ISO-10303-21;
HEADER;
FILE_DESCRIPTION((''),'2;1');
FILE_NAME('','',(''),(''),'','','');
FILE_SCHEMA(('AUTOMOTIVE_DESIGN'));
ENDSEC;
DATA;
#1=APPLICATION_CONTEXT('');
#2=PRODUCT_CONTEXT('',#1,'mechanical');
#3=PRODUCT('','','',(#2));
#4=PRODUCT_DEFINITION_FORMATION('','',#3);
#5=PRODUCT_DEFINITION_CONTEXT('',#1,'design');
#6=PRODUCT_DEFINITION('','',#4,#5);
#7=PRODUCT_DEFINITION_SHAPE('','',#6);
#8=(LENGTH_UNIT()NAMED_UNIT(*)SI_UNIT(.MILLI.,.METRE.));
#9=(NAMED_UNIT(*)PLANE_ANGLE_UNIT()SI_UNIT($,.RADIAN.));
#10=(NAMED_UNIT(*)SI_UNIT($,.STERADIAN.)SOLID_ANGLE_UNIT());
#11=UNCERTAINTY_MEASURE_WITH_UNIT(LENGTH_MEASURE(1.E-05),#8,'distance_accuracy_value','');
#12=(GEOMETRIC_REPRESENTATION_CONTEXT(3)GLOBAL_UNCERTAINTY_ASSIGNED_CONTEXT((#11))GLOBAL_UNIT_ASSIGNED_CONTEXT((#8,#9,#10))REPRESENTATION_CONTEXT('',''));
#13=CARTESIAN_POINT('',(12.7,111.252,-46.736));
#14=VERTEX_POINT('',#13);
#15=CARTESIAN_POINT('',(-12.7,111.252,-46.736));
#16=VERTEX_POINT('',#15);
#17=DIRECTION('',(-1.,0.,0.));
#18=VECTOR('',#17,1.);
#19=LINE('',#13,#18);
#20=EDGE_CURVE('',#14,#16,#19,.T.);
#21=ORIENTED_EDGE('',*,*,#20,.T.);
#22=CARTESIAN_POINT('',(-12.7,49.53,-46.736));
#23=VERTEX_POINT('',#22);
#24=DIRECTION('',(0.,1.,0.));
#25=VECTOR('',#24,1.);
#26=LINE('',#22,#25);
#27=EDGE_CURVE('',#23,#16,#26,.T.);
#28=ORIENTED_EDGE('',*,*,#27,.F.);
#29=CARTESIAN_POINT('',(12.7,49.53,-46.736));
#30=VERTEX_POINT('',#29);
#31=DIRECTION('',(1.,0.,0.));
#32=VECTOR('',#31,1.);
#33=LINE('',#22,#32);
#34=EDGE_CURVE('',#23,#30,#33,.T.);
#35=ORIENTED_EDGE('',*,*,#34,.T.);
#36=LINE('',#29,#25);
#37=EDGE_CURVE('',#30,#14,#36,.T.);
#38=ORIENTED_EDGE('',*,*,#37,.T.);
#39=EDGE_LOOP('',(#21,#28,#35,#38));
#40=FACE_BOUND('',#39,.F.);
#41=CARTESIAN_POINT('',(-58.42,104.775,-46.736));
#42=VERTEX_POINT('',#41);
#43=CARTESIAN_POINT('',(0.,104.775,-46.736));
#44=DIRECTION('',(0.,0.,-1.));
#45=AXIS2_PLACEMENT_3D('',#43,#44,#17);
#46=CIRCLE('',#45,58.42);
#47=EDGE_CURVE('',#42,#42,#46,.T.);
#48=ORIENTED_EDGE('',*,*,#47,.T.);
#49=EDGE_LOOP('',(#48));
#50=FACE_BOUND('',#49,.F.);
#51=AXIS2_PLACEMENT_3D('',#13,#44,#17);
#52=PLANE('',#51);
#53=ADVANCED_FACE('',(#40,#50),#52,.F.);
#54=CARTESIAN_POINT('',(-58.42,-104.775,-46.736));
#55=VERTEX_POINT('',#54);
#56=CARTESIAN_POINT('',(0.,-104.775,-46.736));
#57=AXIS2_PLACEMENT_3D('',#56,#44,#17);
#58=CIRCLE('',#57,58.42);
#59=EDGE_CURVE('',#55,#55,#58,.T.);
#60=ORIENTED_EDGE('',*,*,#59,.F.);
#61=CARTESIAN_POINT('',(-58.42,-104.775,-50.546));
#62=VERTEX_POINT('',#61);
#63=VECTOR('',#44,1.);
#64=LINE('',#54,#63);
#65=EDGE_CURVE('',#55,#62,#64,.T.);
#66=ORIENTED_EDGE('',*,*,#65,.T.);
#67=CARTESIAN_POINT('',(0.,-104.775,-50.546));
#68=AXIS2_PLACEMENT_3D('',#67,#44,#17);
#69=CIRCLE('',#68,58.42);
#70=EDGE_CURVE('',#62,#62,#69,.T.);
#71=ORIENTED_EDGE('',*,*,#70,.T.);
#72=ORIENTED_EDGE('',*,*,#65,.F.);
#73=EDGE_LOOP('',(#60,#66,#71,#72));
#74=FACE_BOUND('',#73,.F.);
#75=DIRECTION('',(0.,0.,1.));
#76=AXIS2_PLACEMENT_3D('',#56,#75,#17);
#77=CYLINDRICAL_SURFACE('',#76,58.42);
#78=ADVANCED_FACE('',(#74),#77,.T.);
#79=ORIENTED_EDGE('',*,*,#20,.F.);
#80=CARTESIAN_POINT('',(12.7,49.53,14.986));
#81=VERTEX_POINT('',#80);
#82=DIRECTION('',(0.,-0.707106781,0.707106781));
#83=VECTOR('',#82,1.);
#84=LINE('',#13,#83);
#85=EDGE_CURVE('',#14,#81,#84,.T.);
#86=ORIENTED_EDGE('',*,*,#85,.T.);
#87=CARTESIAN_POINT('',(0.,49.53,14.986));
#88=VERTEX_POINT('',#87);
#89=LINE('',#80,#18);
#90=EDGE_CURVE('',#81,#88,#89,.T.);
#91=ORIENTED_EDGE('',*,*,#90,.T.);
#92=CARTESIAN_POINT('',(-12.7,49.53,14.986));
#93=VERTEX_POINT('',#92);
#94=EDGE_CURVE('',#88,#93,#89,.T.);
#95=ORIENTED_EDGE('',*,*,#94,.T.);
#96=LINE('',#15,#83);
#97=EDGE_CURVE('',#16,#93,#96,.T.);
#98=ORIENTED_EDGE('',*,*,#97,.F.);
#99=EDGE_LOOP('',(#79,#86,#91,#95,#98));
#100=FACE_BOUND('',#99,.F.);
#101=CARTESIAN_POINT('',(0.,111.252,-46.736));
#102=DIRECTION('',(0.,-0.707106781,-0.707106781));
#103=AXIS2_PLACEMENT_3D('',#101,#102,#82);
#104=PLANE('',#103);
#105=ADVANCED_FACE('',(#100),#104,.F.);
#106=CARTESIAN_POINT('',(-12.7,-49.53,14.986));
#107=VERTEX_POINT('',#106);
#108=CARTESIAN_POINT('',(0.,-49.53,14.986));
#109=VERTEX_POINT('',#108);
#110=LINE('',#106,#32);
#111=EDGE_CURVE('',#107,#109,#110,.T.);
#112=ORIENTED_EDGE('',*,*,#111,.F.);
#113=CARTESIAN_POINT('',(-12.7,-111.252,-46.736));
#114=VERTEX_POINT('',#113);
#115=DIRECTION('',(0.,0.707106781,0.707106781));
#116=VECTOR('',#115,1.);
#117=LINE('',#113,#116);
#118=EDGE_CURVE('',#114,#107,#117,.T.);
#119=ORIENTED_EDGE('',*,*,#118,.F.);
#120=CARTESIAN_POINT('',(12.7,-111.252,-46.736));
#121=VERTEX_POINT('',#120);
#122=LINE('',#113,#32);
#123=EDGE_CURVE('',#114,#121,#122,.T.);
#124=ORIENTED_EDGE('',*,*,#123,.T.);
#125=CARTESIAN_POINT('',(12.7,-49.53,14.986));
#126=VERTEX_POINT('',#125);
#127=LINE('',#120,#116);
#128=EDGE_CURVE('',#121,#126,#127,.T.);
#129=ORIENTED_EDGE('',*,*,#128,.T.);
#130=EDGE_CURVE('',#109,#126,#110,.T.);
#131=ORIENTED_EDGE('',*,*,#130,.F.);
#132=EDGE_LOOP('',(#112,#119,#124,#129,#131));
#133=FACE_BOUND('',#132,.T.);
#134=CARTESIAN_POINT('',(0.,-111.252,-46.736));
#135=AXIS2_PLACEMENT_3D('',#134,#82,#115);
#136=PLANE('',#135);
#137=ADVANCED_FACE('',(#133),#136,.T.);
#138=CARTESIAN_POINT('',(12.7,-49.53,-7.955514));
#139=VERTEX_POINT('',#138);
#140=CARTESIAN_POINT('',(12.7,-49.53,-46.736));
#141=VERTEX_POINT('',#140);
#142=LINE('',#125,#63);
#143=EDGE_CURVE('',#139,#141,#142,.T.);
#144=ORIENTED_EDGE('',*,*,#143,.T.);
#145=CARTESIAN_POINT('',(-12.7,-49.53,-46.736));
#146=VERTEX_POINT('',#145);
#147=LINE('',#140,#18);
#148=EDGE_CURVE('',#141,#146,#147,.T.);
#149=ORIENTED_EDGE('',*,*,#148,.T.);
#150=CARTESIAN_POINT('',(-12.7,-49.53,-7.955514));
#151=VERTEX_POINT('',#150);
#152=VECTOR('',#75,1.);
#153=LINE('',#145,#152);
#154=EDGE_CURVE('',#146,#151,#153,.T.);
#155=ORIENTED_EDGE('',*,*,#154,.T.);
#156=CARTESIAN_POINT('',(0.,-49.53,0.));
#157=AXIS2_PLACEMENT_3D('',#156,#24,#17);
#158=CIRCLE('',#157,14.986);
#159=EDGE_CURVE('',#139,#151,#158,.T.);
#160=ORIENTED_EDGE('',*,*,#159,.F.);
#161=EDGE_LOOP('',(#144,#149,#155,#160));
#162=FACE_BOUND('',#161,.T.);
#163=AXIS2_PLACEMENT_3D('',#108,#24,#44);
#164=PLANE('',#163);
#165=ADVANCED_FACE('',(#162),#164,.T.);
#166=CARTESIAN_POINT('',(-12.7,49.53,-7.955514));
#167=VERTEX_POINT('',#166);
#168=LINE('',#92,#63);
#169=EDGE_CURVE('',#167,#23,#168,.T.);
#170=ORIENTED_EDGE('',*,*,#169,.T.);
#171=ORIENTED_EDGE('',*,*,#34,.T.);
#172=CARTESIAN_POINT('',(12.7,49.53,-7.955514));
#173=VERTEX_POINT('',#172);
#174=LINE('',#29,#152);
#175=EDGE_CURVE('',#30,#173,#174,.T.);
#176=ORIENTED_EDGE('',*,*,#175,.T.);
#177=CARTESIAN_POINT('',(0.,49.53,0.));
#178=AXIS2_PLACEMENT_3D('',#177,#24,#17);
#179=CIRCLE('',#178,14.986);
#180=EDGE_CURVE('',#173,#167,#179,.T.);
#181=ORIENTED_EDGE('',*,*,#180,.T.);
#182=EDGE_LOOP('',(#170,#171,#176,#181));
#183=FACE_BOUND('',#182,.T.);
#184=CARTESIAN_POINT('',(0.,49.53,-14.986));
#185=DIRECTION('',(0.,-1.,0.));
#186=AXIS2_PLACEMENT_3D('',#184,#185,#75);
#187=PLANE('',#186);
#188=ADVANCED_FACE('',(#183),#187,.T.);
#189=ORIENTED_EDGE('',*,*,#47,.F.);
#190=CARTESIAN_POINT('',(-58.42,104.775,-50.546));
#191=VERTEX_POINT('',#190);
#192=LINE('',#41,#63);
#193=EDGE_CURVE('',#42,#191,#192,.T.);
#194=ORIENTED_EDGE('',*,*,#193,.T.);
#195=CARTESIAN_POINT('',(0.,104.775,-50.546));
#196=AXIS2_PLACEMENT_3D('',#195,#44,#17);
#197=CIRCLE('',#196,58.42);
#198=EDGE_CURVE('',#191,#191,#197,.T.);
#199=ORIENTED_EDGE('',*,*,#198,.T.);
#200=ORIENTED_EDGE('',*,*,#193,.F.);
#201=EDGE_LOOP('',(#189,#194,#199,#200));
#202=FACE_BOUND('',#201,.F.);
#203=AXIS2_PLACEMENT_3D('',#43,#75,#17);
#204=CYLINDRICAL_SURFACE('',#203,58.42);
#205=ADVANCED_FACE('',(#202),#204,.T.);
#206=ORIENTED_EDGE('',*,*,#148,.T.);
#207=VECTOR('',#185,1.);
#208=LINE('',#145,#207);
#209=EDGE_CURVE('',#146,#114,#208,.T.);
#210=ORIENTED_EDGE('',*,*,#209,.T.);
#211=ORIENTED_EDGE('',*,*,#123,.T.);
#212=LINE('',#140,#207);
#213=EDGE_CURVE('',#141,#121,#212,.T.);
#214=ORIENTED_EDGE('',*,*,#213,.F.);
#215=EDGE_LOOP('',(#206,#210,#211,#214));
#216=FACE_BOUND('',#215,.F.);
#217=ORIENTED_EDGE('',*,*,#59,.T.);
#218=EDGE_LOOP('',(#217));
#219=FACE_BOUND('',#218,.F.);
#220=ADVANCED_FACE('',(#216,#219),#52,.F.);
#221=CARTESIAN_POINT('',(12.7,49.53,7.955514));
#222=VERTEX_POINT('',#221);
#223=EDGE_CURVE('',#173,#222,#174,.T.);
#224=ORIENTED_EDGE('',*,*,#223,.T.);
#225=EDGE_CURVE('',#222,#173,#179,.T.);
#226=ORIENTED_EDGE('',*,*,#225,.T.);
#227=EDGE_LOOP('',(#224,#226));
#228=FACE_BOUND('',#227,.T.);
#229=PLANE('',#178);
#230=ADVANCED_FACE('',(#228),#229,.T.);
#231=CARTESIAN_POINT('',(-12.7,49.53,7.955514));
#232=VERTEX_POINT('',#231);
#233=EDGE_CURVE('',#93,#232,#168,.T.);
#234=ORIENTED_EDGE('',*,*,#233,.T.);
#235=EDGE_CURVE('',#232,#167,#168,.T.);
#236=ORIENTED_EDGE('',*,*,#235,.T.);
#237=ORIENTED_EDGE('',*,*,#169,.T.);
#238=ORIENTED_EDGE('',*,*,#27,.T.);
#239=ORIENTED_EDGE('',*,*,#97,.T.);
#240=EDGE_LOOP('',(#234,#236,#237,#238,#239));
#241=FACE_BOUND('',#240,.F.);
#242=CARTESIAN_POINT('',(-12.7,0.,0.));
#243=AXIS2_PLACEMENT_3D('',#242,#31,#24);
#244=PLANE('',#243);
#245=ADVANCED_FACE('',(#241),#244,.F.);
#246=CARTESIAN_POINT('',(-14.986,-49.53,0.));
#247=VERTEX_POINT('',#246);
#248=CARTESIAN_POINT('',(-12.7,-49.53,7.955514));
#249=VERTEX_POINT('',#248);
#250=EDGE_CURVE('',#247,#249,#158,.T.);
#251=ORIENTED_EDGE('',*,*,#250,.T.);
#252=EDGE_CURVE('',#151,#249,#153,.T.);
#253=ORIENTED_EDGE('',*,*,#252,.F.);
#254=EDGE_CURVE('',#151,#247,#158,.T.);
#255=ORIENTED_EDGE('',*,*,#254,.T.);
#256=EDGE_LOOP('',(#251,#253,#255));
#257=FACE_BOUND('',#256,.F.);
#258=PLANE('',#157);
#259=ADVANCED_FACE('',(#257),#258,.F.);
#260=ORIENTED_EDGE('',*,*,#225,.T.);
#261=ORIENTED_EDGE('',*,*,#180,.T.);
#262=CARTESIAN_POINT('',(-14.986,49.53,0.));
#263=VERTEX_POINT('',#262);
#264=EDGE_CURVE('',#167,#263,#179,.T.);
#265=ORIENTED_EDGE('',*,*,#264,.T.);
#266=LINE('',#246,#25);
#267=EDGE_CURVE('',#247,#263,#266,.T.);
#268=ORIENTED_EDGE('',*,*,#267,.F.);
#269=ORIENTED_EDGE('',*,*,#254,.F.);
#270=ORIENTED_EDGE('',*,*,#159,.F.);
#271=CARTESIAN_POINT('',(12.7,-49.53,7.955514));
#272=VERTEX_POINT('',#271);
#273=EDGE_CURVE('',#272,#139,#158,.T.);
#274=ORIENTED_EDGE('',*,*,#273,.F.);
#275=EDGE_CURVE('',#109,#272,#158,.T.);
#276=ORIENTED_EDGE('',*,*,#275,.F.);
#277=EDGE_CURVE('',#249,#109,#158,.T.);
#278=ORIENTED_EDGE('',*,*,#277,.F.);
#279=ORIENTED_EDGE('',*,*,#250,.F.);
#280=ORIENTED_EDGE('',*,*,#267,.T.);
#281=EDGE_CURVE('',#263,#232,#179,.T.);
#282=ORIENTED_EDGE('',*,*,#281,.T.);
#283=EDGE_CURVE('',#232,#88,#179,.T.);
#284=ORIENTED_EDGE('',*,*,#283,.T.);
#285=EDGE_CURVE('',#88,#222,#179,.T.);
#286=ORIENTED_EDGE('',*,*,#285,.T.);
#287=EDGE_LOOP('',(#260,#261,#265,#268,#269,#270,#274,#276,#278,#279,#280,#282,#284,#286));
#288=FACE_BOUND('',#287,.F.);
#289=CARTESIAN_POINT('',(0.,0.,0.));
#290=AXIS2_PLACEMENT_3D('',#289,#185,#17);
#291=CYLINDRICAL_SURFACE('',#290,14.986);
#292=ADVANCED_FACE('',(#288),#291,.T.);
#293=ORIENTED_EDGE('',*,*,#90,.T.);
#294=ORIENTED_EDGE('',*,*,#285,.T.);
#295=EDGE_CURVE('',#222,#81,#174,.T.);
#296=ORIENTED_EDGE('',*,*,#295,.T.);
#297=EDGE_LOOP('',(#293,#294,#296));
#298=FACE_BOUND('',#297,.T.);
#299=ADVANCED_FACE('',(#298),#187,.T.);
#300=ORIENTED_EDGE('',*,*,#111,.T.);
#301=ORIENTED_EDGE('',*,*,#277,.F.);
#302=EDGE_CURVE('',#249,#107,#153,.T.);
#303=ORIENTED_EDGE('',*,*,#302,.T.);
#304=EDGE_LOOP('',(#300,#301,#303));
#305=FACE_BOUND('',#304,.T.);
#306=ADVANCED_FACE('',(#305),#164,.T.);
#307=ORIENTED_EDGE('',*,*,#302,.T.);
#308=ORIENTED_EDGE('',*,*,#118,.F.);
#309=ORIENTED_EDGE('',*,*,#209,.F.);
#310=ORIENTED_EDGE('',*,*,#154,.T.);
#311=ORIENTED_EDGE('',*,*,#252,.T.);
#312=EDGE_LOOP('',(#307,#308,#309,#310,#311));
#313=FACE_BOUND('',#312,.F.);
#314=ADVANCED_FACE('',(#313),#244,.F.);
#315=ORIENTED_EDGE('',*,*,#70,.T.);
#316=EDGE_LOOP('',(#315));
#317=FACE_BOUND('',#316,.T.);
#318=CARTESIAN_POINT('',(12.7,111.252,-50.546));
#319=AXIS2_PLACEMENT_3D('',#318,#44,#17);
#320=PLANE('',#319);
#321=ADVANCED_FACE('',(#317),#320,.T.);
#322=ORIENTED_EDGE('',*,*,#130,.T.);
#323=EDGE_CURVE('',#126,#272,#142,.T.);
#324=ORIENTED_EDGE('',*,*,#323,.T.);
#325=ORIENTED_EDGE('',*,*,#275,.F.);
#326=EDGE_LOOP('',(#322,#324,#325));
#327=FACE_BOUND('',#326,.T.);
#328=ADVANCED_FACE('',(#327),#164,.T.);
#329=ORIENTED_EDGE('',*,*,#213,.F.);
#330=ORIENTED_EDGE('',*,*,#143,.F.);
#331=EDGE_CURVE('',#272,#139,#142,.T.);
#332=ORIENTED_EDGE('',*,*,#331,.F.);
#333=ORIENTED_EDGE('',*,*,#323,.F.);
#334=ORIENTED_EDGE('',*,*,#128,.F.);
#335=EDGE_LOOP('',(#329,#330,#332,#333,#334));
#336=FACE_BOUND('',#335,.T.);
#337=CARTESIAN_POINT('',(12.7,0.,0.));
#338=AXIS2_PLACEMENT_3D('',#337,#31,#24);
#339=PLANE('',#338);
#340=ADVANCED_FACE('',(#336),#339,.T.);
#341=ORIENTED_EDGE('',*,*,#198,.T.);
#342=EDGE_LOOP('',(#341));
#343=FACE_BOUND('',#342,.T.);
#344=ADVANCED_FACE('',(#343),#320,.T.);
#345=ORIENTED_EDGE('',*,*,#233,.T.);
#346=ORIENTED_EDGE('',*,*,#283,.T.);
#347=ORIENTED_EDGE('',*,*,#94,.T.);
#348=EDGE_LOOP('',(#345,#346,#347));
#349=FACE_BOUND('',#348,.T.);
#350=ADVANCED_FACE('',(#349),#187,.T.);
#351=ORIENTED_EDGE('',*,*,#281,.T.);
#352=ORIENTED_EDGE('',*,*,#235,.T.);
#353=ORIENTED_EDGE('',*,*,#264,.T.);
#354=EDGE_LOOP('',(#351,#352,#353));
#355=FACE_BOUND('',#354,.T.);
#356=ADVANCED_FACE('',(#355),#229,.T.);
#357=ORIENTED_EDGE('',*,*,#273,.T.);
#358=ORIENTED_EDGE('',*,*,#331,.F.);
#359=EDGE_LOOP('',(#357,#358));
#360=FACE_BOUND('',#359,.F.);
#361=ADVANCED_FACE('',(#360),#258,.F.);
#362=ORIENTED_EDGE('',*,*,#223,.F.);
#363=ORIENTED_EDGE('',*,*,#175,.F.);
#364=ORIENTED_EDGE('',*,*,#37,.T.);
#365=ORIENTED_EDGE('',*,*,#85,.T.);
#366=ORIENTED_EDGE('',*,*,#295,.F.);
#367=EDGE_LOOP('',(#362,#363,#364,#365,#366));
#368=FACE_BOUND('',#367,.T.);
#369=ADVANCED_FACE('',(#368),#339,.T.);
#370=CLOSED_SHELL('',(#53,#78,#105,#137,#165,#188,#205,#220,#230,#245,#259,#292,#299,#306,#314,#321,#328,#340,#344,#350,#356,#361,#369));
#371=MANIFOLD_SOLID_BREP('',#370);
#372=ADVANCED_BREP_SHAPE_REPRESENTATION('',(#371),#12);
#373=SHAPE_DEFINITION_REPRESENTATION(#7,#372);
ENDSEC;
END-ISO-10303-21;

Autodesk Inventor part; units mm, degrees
ref_plane "YZ Plane" through (0, 0, 0) normal (1, 0, 0) x (0, 1, 0)
ref_plane "XZ Plane" through (0, 0, 0) normal (0, 1, 0) x (-1, 0, 0)
ref_plane "XY Plane" through (0, 0, 0) normal (0, 0, 1) x (1, 0, 0)
sketch "Sketch1" plane through (0, 0, 0) normal (0, 1, 0) x (-1, 0, 0)
  circle A0 centre (0, 0) radius 14.986
  dimension "d0" = 29.972
extrude "Extrusion1" add sketch "Sketch1" along normal mid plane 99.06
sketch "Sketch2" plane through (0, 0, 0) normal (1, 0, 0) x (0, 1, 0)
  line L0 (-49.53, 14.986) -> (-49.53, -14.986) projected
  line L1 (49.53, -14.986) -> (49.53, 14.986) projected
  line L2 (0, 14.986) -> (0, -71.9195) construction
  line L3 (49.53, 14.986) -> (49.53, -46.736)
  line L4 (49.53, -46.736) -> (111.252, -46.736)
  line L5 (111.252, -46.736) -> (49.53, 14.986)
  line L6 (-49.53, -14.986) -> (-49.53, 14.986)
  line L7 (-49.53, 14.986) -> (-49.53, -46.736)
  line L8 (-49.53, -46.736) -> (-111.252, -46.736)
  line L9 (-111.252, -46.736) -> (-49.53, 14.986)
  point P0 (0, 0)
  dimension "d3" = 61.722
  dimension "d4" = 61.722
extrude "Extrusion2" add sketch "Sketch2" along normal mid plane 25.4
sketch "Sketch3" plane through (12.7, 111.252, -46.736) normal (0, 0, -1) x (-1, 0, 0)
  line L0 (12.7, -111.252) -> (12.7, -6.477) construction
  circle A0 centre (12.7, -6.477) radius 58.42
  line L1 (12.7, -111.252) -> (-79.2707, -111.252) construction
  circle A1 centre (12.7, -216.027) radius 58.42
  dimension "d7" = 104.775
  dimension "d8" = 116.84
extrude "Extrusion3" add sketch "Sketch3" along normal blind 3.81
equation "\"d4\" = d3"
properties part number "SuctionCup"
